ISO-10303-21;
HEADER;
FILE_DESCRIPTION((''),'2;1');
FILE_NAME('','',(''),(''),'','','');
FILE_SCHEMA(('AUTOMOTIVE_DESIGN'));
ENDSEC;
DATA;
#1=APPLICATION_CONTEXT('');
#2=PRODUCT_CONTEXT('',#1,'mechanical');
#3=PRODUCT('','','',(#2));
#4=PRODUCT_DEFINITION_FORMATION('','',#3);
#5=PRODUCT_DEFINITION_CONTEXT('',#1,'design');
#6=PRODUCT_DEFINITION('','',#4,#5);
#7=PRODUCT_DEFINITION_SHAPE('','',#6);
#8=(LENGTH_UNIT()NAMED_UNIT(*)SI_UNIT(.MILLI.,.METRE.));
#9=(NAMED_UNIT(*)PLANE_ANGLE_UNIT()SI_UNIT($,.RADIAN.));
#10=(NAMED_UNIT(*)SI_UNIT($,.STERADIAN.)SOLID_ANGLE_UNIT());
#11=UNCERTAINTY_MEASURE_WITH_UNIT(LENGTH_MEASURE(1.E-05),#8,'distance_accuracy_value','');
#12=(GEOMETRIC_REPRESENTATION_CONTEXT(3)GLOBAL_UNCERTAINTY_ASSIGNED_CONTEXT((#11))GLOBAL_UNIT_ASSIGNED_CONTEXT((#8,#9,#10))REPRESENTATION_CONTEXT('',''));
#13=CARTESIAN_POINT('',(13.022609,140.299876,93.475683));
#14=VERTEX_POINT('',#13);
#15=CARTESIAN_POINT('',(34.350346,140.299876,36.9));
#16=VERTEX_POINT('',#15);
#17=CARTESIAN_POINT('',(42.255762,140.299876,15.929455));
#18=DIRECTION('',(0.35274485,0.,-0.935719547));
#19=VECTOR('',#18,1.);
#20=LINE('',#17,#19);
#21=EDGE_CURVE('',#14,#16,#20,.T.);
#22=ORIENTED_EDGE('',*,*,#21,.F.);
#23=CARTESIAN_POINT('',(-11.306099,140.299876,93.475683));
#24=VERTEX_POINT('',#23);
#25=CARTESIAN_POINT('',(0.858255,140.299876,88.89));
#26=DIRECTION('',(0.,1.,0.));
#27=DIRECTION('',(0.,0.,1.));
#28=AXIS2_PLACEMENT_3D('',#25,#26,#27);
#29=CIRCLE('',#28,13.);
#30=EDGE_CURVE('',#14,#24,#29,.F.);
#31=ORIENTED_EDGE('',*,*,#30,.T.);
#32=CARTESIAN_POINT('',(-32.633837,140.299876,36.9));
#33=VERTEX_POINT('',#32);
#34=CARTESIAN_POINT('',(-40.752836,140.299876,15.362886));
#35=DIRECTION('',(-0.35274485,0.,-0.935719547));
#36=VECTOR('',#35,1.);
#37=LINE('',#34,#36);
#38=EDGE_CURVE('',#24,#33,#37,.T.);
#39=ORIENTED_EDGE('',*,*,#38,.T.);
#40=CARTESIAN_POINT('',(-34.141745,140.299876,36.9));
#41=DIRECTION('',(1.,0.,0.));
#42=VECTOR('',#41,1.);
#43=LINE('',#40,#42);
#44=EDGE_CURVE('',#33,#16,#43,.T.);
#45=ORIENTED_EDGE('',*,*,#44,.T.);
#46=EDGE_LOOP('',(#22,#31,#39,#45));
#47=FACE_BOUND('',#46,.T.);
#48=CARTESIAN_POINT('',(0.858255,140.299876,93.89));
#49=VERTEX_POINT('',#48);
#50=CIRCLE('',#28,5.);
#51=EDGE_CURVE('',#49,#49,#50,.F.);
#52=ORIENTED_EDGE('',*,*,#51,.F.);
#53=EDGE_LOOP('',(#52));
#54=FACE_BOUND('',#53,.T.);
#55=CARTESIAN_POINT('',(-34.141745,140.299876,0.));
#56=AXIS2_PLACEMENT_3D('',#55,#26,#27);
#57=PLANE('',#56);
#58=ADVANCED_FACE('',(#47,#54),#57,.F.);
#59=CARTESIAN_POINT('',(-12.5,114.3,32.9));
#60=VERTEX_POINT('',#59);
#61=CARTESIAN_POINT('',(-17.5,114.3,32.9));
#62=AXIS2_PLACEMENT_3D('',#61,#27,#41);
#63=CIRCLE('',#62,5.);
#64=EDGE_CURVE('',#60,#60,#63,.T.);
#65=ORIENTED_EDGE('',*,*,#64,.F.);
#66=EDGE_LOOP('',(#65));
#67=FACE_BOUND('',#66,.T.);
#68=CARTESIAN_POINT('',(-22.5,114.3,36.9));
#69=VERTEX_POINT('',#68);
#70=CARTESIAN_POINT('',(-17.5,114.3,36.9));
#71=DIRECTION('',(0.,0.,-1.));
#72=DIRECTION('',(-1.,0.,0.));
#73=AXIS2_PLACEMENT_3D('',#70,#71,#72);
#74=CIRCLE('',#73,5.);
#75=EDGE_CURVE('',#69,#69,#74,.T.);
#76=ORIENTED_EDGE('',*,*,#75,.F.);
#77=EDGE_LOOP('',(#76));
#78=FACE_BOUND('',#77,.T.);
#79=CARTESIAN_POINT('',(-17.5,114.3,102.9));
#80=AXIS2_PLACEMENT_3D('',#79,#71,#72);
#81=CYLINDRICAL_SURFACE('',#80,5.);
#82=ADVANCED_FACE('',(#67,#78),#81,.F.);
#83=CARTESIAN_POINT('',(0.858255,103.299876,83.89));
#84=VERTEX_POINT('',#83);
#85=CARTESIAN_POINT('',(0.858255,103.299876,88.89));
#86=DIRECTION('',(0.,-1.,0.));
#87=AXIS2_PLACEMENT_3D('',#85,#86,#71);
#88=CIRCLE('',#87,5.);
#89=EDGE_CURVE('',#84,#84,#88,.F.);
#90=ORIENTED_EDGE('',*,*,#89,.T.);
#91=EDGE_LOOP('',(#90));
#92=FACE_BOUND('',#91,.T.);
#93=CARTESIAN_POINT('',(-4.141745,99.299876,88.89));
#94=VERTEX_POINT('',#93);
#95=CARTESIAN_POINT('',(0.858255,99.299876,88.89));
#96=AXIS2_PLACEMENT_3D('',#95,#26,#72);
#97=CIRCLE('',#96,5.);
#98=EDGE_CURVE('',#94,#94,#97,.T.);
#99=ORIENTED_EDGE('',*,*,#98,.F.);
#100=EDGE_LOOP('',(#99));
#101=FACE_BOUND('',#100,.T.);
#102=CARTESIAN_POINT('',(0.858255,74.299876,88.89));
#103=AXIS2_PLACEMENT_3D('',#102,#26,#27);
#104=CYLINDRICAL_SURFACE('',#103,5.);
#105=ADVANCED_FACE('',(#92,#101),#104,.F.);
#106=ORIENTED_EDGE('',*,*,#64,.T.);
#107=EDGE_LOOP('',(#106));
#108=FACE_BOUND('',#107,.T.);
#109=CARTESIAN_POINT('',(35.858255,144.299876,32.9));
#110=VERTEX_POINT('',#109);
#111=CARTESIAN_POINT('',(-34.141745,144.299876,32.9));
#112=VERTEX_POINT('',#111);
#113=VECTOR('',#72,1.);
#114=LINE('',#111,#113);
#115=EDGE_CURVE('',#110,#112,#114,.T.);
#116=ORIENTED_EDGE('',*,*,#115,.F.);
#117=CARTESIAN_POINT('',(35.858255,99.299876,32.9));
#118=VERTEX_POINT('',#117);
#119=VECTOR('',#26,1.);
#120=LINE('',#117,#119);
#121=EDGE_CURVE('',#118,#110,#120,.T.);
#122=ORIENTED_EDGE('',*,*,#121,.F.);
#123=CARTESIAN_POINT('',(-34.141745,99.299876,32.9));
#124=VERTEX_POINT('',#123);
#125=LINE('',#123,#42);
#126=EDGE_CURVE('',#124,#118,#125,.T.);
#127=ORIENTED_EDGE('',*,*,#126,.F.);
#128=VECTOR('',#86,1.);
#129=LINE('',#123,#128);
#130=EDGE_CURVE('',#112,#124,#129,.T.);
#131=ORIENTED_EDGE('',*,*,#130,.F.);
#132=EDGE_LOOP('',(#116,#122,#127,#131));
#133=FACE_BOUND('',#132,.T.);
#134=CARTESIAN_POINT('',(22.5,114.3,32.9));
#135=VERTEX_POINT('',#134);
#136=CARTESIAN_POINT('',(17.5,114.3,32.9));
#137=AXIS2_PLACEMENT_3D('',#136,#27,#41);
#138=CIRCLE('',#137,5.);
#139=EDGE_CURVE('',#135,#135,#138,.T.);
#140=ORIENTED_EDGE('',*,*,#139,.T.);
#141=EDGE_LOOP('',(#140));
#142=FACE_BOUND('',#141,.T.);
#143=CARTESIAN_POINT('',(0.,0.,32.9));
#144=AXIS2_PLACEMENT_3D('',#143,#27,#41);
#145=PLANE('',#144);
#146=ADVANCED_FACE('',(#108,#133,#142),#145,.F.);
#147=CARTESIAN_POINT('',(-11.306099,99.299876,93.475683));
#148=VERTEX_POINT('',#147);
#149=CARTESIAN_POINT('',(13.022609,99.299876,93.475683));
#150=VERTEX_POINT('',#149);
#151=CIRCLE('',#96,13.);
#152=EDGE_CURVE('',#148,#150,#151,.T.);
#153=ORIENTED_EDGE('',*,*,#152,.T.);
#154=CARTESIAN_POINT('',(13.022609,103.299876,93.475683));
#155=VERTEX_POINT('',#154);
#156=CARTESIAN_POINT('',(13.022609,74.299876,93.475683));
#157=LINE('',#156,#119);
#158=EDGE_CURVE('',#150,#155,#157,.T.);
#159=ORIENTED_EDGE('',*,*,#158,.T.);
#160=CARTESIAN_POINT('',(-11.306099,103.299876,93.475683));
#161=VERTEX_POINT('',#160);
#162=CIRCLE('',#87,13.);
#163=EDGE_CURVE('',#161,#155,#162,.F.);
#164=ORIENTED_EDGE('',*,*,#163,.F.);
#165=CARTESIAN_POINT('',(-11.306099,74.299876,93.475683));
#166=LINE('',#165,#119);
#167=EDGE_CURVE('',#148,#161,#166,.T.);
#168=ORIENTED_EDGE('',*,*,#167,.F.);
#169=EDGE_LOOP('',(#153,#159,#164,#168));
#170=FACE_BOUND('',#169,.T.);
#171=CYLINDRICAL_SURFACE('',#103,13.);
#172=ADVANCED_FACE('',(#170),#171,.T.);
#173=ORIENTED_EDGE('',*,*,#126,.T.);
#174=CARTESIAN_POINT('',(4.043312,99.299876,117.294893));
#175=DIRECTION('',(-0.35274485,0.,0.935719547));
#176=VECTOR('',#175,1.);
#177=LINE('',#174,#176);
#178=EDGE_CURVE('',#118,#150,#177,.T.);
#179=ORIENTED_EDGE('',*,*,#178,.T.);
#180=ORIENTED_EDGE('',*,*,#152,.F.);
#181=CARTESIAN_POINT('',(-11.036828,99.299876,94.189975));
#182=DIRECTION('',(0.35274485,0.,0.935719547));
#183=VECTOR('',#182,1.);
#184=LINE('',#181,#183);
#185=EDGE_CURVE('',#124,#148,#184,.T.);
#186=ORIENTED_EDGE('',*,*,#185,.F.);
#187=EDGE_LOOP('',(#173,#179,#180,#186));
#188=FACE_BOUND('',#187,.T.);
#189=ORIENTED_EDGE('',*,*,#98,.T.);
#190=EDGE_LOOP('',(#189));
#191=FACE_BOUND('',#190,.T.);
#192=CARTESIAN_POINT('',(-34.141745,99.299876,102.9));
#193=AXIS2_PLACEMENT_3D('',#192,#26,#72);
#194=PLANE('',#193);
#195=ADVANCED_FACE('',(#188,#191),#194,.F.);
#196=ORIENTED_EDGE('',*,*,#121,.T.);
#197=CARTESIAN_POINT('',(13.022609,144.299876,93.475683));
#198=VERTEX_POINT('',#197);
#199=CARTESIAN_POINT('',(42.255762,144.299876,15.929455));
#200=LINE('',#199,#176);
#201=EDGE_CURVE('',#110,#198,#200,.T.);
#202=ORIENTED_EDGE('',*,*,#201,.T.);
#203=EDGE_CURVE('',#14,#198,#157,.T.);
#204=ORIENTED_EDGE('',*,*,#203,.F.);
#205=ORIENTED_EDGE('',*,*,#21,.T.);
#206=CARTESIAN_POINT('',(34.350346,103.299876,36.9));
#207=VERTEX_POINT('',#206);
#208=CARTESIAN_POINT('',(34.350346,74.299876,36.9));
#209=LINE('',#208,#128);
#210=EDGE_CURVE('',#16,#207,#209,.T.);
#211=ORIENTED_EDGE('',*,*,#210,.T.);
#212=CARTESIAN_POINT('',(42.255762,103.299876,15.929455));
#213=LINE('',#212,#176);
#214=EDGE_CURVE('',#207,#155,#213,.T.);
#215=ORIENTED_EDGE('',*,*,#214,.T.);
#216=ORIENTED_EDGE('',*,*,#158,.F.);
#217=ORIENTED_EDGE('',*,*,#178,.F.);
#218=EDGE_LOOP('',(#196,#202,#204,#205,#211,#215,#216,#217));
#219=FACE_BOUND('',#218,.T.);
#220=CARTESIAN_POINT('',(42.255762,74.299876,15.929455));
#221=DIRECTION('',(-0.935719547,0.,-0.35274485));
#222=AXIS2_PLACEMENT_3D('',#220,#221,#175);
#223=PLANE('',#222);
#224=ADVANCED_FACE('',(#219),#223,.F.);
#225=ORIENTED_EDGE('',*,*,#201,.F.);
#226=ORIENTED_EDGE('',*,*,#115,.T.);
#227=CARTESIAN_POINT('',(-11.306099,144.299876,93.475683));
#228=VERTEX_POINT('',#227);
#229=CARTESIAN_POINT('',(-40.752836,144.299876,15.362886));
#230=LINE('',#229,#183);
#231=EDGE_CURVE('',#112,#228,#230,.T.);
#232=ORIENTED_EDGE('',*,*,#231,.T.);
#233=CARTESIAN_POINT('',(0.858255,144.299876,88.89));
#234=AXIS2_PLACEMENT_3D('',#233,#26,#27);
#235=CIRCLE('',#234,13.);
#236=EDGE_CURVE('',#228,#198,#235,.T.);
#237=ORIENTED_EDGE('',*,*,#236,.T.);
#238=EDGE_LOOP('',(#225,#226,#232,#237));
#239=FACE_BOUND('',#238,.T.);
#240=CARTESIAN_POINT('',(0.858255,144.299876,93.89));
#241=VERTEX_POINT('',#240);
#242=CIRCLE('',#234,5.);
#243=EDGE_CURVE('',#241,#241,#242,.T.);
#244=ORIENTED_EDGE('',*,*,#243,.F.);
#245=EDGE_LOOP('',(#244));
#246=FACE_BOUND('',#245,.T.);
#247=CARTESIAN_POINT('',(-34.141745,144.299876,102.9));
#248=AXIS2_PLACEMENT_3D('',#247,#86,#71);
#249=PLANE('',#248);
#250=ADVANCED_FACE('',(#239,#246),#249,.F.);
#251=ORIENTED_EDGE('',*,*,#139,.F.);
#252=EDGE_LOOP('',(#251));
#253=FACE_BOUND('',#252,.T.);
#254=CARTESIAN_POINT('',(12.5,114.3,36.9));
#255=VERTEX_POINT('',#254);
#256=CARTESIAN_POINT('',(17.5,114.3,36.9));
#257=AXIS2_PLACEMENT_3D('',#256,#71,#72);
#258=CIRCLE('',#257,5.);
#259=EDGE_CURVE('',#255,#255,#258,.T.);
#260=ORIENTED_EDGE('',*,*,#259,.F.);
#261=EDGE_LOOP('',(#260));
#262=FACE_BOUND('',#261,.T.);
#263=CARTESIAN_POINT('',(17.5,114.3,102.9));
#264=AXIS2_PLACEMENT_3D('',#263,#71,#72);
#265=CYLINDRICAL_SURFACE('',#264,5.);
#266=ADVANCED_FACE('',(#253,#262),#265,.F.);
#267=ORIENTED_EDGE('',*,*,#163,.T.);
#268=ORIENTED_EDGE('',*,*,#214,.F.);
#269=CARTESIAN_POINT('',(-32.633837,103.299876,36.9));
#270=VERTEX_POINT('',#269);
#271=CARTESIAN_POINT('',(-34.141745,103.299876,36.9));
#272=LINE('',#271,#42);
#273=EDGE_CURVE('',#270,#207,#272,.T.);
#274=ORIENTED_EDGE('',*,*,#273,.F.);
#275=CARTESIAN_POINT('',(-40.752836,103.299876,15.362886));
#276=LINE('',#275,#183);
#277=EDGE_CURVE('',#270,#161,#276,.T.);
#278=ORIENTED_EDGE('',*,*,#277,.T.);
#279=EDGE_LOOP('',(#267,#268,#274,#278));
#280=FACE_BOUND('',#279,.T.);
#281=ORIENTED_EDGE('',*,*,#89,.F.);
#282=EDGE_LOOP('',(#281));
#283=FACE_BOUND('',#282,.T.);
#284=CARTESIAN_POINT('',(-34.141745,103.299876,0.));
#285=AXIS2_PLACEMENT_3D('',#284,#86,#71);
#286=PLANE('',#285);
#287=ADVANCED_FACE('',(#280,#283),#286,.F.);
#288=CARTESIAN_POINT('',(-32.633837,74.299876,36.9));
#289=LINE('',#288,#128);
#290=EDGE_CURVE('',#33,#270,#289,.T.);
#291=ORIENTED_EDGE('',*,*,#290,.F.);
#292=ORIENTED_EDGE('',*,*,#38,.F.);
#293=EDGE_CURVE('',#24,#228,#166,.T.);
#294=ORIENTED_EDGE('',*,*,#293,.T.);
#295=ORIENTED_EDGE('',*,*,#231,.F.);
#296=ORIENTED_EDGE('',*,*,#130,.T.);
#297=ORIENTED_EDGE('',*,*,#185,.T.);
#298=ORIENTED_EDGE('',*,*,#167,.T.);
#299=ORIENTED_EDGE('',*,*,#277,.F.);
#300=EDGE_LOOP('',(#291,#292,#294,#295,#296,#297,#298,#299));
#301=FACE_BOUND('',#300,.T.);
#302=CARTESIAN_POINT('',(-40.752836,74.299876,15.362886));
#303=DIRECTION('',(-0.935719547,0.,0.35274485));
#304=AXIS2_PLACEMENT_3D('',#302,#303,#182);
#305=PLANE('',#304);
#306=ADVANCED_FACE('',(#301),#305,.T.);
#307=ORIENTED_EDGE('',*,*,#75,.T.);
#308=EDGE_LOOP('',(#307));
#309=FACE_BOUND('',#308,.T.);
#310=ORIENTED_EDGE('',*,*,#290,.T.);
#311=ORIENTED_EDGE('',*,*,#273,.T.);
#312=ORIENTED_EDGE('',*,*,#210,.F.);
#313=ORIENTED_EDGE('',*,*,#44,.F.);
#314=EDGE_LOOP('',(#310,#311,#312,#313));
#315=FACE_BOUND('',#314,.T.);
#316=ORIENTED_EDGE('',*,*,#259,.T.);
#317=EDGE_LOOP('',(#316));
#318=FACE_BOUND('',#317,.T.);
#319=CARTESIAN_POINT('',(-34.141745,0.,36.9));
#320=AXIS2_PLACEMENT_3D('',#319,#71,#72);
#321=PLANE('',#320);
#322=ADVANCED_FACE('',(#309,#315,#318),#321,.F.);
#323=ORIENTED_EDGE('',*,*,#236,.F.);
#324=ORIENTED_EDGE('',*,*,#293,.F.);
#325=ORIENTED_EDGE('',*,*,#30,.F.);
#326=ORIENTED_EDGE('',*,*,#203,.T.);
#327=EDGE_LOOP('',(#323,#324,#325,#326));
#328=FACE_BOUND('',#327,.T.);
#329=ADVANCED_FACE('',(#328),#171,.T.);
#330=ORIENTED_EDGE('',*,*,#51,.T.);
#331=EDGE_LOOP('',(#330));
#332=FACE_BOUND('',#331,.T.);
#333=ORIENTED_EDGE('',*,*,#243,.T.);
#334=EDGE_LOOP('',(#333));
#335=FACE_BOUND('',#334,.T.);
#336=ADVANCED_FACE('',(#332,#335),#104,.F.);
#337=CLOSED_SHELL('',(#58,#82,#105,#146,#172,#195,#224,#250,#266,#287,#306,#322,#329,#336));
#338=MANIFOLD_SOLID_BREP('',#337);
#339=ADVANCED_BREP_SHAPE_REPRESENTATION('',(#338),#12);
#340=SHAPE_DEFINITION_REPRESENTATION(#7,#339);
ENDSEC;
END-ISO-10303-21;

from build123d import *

# Parameters (mm, degrees)
SKETCH1_W               = 70
SKETCH1_H               = 45
SKETCH1_R               = 5
BOSS_EXTRUDE1_DEPTH     = 70
SKETCH2_R               = 5
CUT_EXTRUDE1_DEPTH      = 70
CUT_EXTRUDE2_DEPTH      = 181.24938524
CUT_EXTRUDE2_DEPTH_BACK = 181.24938524
SKETCH3_W               = 72.235560481
SKETCH3_H               = 37


with BuildPart() as part:
    # Sketch1 → Boss-Extrude1 (new body)
    with BuildSketch(Plane.XY.offset(32.9)):
        with Locations((0.858254713, 121.799876296)):
            Rectangle(SKETCH1_W, SKETCH1_H)
        with Locations((-17.5, 114.3)):
            Circle(SKETCH1_R, mode=Mode.SUBTRACT)
        with Locations((17.5, 114.3)):
            Circle(SKETCH1_R, mode=Mode.SUBTRACT)
    extrude(amount=BOSS_EXTRUDE1_DEPTH)

    # Sketch2 → Cut-Extrude1 (cut)
    with BuildSketch(Plane(origin=(0, 144.299876296, 0), x_dir=(1, 0, 0), z_dir=(0, 1, 0))):
        with BuildLine():
            Line((0.858254713, -101.89), (0.858254713, -102.9))
            Line((0.858254713, -102.9), (35.858254713, -102.9))
            Line((35.858254713, -102.9), (35.858254713, -32.9))
            Line((35.858254713, -32.9), (13.022608826, -93.475683049))
            ThreePointArc((13.022608826, -93.475683049), (8.253730369, -99.581442364), (0.858254713, -101.89))
        make_face()
        with BuildLine():
            Line((-34.141745287, -102.9), (0.858254713, -102.9))
            Line((0.858254713, -102.9), (0.858254713, -101.89))
            ThreePointArc((0.858254713, -101.89), (-6.537220943, -99.581442364), (-11.306099399, -93.475683049))
            Line((-11.306099399, -93.475683049), (-34.141745287, -32.9))
            Line((-34.141745287, -32.9), (-34.141745287, -102.9))
        make_face()
        with Locations(Location((0.858254713, -88.89, 0), (0, 0, 270))):
            Circle(SKETCH2_R)
    extrude(amount=-CUT_EXTRUDE1_DEPTH, mode=Mode.SUBTRACT)

    # Sketch3 → Cut-Extrude2 (cut, two sides: drawn at the far end of the back side and taken through both)
    with BuildSketch(Plane(origin=(0, 0, 0), x_dir=(0, 0, -1), z_dir=(1, 0, 0)).offset(-CUT_EXTRUDE2_DEPTH_BACK)):
        with Locations((-73.017780241, 121.799876296)):
            Rectangle(SKETCH3_W, SKETCH3_H)
    extrude(amount=CUT_EXTRUDE2_DEPTH + CUT_EXTRUDE2_DEPTH_BACK, mode=Mode.SUBTRACT)


solid = part.part
